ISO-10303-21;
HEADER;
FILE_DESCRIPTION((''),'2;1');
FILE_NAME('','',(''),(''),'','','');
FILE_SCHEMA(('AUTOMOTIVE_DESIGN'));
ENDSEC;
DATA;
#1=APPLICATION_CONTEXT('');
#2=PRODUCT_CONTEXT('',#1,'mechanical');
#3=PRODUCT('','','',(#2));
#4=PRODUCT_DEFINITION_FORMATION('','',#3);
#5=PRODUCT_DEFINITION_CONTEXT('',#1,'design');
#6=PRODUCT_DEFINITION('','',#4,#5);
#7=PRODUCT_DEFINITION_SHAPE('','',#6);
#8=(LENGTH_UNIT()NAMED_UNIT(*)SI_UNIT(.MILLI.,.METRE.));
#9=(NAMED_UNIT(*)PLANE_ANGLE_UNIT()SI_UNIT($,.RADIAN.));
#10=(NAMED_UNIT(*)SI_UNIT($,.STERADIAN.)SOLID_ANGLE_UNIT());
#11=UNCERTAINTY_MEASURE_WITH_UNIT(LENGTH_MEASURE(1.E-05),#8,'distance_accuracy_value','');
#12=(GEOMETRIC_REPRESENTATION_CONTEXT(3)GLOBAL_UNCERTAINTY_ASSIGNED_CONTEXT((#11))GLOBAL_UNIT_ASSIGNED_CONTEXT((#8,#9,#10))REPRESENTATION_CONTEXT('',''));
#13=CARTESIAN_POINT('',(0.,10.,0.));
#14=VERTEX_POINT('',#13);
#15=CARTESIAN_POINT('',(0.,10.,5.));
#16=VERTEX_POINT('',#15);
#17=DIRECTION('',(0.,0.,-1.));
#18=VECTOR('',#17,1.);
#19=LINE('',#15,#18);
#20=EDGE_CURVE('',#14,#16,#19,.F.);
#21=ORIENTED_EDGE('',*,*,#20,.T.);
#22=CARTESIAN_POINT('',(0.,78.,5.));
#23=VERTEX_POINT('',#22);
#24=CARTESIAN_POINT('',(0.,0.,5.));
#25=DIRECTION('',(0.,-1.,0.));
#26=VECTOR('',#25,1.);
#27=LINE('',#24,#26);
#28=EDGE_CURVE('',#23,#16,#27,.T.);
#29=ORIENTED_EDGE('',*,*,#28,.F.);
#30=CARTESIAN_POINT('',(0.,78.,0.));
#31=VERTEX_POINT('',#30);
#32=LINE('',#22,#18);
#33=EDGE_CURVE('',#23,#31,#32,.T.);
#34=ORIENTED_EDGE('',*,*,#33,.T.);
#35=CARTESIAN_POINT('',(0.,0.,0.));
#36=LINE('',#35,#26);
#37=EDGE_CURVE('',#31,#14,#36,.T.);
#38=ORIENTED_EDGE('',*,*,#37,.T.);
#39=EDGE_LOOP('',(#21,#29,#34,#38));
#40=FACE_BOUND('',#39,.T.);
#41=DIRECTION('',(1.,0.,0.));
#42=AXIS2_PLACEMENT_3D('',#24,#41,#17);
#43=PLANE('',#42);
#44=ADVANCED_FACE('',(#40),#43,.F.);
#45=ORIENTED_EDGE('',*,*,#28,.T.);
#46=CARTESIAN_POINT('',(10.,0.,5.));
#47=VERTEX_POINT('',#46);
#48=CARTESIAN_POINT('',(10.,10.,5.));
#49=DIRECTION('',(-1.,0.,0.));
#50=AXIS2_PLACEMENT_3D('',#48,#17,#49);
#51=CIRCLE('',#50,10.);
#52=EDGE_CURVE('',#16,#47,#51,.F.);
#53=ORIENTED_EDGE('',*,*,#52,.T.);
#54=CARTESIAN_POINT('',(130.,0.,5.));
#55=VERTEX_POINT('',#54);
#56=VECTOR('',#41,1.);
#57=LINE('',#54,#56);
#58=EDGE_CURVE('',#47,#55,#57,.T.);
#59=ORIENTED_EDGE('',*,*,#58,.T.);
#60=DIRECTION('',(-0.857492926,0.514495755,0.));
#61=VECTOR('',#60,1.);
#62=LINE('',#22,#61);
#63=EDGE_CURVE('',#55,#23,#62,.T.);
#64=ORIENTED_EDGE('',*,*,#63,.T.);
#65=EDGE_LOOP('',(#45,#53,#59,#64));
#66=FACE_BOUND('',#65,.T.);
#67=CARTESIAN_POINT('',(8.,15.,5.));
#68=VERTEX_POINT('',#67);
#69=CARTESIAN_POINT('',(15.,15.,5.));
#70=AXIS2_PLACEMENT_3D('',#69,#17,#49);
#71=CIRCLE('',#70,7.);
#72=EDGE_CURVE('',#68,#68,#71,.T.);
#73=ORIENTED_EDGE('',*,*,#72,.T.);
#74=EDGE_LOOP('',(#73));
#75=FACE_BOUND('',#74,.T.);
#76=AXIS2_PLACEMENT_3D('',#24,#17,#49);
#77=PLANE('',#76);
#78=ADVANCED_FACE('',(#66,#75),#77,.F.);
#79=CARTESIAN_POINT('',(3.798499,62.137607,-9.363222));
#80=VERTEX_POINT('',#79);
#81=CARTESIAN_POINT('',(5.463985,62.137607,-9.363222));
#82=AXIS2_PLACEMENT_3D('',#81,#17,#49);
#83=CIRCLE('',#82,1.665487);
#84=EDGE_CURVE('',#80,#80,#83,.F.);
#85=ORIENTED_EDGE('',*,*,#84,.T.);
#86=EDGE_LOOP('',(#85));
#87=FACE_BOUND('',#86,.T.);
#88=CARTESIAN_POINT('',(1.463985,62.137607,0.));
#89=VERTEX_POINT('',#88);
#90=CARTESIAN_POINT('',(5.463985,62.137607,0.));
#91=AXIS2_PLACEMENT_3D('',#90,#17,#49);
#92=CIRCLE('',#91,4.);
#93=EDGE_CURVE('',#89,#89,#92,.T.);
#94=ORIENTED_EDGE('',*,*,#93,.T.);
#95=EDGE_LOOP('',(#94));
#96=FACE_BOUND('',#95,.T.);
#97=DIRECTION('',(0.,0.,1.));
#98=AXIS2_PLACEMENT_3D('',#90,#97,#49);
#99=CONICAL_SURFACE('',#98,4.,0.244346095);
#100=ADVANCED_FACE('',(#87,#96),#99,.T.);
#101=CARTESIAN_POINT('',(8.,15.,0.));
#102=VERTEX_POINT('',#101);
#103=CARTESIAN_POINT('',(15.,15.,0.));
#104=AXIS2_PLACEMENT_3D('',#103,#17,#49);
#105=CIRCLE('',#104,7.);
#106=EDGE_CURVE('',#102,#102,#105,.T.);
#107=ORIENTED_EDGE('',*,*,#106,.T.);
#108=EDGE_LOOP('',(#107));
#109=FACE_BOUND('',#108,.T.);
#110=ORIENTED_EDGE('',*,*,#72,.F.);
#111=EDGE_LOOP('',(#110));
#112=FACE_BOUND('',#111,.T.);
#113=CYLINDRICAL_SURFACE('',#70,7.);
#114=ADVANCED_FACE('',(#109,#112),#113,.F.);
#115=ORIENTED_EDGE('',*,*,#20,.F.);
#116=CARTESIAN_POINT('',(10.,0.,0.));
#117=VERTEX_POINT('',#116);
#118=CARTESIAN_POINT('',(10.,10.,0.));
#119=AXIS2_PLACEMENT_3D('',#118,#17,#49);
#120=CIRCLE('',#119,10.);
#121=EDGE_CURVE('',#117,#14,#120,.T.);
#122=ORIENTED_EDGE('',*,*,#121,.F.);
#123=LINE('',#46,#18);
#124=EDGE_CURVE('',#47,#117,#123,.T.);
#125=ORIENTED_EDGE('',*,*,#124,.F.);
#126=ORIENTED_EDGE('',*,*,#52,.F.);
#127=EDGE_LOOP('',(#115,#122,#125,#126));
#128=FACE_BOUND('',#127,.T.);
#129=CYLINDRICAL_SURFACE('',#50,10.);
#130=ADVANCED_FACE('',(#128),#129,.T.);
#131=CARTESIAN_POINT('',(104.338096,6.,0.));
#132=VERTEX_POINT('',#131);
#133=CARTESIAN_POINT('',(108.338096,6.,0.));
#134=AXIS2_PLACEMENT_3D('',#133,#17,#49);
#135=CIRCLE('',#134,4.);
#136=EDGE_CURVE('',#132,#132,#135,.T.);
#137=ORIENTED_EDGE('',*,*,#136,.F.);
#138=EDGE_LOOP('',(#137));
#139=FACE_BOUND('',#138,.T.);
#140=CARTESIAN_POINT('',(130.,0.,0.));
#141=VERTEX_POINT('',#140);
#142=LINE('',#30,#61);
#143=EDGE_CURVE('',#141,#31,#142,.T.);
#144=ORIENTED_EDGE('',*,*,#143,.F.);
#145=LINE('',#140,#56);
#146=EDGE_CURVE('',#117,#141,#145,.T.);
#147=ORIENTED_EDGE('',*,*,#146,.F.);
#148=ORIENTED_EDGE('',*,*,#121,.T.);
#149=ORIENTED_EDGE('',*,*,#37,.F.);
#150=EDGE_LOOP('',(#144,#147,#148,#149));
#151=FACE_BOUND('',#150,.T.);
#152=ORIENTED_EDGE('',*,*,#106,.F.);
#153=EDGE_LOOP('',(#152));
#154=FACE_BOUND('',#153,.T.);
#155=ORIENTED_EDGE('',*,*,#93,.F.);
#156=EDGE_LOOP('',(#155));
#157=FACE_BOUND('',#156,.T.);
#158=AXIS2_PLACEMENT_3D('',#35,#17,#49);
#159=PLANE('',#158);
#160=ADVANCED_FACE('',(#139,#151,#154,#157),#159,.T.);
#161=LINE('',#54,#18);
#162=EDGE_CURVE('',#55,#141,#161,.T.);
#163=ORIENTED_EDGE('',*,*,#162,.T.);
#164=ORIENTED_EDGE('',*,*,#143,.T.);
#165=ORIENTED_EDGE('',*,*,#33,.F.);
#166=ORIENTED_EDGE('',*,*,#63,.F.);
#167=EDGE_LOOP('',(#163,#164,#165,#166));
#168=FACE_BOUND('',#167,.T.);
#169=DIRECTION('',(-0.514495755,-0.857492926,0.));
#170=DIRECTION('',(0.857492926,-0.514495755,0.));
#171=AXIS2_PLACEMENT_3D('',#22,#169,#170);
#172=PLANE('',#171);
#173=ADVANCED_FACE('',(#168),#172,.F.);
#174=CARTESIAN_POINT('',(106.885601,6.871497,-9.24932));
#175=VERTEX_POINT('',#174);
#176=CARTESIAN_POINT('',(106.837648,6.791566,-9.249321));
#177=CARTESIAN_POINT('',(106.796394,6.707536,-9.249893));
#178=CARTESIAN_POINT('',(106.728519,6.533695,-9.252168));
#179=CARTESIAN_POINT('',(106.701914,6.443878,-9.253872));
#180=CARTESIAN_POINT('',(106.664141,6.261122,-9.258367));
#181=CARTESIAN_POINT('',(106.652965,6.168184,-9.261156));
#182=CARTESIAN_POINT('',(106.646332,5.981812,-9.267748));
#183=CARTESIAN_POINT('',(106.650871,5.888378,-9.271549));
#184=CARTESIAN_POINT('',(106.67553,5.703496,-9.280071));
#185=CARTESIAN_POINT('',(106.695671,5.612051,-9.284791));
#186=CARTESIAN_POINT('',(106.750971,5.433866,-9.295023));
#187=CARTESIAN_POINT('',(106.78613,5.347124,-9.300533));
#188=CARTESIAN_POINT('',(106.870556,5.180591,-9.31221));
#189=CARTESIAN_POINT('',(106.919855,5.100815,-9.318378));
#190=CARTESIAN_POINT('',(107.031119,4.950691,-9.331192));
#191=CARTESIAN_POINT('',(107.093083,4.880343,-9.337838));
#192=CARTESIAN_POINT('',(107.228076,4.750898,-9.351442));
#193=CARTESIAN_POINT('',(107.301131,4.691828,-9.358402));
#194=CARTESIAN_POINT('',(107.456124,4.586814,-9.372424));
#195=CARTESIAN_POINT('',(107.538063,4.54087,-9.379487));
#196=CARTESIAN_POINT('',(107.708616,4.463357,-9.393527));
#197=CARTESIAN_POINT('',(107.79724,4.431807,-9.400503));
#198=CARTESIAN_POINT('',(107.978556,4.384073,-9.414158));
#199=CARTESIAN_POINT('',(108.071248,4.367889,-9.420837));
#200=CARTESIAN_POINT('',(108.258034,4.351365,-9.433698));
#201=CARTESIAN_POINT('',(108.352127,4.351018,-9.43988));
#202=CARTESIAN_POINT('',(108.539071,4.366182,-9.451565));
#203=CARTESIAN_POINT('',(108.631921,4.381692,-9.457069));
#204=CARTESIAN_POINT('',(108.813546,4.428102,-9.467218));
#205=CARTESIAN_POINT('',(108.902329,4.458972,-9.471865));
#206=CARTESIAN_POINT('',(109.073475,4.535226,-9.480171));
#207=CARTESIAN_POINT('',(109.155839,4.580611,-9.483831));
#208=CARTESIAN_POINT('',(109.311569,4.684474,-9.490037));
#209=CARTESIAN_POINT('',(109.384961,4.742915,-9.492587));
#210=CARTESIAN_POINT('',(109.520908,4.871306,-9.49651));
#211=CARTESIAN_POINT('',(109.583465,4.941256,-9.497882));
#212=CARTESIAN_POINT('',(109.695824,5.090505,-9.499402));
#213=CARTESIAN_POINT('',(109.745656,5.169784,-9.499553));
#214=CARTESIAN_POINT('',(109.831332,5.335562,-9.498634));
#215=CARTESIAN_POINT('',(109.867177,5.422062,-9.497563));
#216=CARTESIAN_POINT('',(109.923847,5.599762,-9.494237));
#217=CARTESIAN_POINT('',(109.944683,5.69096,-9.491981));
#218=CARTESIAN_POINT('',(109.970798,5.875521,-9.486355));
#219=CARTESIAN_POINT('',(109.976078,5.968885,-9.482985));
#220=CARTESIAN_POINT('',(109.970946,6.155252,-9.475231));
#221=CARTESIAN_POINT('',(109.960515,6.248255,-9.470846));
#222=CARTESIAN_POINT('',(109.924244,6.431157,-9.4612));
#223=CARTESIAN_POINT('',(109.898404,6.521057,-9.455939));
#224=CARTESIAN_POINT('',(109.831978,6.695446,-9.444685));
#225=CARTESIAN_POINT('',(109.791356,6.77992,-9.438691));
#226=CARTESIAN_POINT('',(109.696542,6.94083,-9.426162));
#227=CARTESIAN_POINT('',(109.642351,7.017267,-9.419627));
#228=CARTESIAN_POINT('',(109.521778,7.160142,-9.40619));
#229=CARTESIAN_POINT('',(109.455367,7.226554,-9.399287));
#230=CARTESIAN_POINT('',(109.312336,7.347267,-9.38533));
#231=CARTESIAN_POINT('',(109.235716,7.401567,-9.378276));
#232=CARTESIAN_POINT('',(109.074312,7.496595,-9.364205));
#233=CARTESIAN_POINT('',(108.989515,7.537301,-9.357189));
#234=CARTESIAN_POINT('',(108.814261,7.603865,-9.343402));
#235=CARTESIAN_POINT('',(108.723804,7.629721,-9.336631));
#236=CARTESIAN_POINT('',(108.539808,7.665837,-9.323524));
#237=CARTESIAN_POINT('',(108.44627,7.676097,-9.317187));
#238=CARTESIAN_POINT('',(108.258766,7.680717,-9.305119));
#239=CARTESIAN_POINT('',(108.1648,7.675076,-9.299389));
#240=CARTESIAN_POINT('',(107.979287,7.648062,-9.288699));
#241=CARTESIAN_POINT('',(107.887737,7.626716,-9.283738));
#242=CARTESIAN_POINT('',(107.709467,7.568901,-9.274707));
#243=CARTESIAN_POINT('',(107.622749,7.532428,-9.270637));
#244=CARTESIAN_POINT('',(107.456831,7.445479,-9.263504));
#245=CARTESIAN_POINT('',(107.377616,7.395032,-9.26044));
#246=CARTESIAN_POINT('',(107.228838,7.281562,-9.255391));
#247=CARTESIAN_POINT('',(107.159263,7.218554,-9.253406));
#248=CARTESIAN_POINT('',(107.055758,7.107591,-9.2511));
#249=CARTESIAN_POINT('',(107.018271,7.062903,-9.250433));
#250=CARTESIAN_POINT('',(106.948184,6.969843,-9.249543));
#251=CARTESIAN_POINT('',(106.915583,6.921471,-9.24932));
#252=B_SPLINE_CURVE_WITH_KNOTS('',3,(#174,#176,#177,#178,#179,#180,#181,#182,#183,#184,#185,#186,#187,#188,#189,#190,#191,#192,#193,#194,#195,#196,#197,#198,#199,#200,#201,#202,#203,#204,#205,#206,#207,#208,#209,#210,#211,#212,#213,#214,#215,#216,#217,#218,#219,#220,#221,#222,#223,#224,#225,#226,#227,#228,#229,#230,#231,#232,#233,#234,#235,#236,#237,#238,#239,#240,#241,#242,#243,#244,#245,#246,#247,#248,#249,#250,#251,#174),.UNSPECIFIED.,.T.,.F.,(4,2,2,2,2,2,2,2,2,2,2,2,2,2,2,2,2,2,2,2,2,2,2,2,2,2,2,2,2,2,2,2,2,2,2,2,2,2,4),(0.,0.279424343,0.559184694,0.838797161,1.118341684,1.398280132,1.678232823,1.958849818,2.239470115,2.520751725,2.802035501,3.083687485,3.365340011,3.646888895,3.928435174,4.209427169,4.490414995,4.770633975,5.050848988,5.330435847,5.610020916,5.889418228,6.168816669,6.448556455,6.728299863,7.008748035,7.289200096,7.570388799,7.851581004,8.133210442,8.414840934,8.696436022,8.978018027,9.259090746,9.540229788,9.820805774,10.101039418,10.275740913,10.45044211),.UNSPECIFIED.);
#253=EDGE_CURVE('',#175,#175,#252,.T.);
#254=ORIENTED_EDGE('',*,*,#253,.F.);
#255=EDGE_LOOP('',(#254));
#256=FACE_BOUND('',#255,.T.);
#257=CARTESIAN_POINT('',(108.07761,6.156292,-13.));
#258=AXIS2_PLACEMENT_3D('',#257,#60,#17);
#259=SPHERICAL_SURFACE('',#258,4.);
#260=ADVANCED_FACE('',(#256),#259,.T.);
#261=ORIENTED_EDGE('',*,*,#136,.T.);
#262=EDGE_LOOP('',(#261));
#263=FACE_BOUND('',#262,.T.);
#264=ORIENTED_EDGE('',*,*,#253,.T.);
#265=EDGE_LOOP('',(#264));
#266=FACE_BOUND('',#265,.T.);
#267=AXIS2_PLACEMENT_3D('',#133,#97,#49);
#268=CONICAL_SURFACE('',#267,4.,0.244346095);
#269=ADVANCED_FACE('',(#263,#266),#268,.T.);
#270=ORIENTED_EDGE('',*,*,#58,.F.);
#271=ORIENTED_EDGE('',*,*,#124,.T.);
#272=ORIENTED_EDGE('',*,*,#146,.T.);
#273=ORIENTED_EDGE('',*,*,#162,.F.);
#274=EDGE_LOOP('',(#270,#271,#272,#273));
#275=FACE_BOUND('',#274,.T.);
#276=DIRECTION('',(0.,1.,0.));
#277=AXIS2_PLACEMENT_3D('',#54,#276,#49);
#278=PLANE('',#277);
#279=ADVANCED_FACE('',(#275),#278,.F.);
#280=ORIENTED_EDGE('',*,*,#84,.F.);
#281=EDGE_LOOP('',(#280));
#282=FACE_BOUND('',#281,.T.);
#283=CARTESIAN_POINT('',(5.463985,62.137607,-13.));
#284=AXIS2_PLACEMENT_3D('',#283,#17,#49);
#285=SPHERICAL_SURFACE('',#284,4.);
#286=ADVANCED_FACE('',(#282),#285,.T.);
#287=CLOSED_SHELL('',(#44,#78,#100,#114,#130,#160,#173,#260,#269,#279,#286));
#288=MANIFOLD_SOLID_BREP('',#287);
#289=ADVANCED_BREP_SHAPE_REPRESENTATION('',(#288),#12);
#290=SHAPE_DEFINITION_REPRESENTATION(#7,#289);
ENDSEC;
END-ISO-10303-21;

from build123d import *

# Parameters (mm, degrees)
ESTRUSIONE_ESTRUSIONE1_DEPTH = 5
SCHIZZO2_R                   = 7
TAGLIO_ESTRUSIONE1_DEPTH     = 152.6871781
RACCORDO1_R                  = 10
SCHIZZO10_R                  = 4
ESTRUSIONE_ESTRUSIONE2_DEPTH = 10
ESTRUSIONE_ESTRUSIONE2_TAPER = 14
SCHIZZO13_R                  = 4
ESTRUSIONE_ESTRUSIONE3_DEPTH = 10
ESTRUSIONE_ESTRUSIONE3_TAPER = 14


with BuildPart() as part:
    # Schizzo1 → Estrusione-Estrusione1 (new body)
    with BuildSketch(Plane.XY):
        Polygon((0, 0), (0, 78), (130, 0), align=None)
    extrude(amount=ESTRUSIONE_ESTRUSIONE1_DEPTH)

    # Schizzo2 → Taglio-Estrusione1 (cut, through all)
    with BuildSketch(Plane(origin=(0, 0, 0), x_dir=(-1, 0, 0), z_dir=(0, 0, -1))):
        with Locations((-15, 15)):
            Circle(SCHIZZO2_R)
    extrude(amount=-TAGLIO_ESTRUSIONE1_DEPTH, mode=Mode.SUBTRACT)

    # Raccordo1
    raccordo1_edges = [part.edges().sort_by_distance(p)[0] for p in [
        (0, 0, 2.5),
    ]]
    fillet(raccordo1_edges, radius=RACCORDO1_R)

    # Schizzo10 → Estrusione-Estrusione2 (add)
    with BuildSketch(Plane(origin=(0, 0, 0), x_dir=(-1, 0, 0), z_dir=(0, 0, -1))):
        with Locations((-5.463985213, 62.137606809)):
            Circle(SCHIZZO10_R)
    extrude(amount=ESTRUSIONE_ESTRUSIONE2_DEPTH, taper=ESTRUSIONE_ESTRUSIONE2_TAPER)

    # Schizzo12 → Rivoluzione1 (revolve)
    with BuildSketch(Plane.ZY.offset(-5.463985213)):
        with BuildLine():
            Line((-13, 58.137606809), (-13, 66.137606809))
            ThreePointArc((-13, 66.137606809), (-9, 62.137606809), (-13, 58.137606809))
        make_face()
    revolve(axis=Axis((5.463985213, 58.137606809, -13), (0, 1, 0)))

    # Schizzo13 → Estrusione-Estrusione3 (add)
    with BuildSketch(Plane(origin=(0, 0, 0), x_dir=(-1, 0, 0), z_dir=(0, 0, -1))):
        with Locations((-108.33809621, 6)):
            Circle(SCHIZZO13_R)
    extrude(amount=ESTRUSIONE_ESTRUSIONE3_DEPTH, taper=ESTRUSIONE_ESTRUSIONE3_TAPER)

    # Schizzo15 → Rivoluzione2 (revolve)
    with BuildSketch(Plane(origin=(31.324790173, 52.207983622, 0), x_dir=(0.8574929257125442, -0.5144957554275265, 0), z_dir=(0.5144957554275265, 0.8574929257125442, 0))):
        with BuildLine():
            Line((85.508399812, 13), (93.508399812, 13))
            ThreePointArc((93.508399812, 13), (89.508399812, 9), (85.508399812, 13))
        make_face()
    revolve(axis=Axis((104.647638101, 8.214274866, -13), (0.8574929257125445, -0.5144957554275261, 0)))


solid = part.part
